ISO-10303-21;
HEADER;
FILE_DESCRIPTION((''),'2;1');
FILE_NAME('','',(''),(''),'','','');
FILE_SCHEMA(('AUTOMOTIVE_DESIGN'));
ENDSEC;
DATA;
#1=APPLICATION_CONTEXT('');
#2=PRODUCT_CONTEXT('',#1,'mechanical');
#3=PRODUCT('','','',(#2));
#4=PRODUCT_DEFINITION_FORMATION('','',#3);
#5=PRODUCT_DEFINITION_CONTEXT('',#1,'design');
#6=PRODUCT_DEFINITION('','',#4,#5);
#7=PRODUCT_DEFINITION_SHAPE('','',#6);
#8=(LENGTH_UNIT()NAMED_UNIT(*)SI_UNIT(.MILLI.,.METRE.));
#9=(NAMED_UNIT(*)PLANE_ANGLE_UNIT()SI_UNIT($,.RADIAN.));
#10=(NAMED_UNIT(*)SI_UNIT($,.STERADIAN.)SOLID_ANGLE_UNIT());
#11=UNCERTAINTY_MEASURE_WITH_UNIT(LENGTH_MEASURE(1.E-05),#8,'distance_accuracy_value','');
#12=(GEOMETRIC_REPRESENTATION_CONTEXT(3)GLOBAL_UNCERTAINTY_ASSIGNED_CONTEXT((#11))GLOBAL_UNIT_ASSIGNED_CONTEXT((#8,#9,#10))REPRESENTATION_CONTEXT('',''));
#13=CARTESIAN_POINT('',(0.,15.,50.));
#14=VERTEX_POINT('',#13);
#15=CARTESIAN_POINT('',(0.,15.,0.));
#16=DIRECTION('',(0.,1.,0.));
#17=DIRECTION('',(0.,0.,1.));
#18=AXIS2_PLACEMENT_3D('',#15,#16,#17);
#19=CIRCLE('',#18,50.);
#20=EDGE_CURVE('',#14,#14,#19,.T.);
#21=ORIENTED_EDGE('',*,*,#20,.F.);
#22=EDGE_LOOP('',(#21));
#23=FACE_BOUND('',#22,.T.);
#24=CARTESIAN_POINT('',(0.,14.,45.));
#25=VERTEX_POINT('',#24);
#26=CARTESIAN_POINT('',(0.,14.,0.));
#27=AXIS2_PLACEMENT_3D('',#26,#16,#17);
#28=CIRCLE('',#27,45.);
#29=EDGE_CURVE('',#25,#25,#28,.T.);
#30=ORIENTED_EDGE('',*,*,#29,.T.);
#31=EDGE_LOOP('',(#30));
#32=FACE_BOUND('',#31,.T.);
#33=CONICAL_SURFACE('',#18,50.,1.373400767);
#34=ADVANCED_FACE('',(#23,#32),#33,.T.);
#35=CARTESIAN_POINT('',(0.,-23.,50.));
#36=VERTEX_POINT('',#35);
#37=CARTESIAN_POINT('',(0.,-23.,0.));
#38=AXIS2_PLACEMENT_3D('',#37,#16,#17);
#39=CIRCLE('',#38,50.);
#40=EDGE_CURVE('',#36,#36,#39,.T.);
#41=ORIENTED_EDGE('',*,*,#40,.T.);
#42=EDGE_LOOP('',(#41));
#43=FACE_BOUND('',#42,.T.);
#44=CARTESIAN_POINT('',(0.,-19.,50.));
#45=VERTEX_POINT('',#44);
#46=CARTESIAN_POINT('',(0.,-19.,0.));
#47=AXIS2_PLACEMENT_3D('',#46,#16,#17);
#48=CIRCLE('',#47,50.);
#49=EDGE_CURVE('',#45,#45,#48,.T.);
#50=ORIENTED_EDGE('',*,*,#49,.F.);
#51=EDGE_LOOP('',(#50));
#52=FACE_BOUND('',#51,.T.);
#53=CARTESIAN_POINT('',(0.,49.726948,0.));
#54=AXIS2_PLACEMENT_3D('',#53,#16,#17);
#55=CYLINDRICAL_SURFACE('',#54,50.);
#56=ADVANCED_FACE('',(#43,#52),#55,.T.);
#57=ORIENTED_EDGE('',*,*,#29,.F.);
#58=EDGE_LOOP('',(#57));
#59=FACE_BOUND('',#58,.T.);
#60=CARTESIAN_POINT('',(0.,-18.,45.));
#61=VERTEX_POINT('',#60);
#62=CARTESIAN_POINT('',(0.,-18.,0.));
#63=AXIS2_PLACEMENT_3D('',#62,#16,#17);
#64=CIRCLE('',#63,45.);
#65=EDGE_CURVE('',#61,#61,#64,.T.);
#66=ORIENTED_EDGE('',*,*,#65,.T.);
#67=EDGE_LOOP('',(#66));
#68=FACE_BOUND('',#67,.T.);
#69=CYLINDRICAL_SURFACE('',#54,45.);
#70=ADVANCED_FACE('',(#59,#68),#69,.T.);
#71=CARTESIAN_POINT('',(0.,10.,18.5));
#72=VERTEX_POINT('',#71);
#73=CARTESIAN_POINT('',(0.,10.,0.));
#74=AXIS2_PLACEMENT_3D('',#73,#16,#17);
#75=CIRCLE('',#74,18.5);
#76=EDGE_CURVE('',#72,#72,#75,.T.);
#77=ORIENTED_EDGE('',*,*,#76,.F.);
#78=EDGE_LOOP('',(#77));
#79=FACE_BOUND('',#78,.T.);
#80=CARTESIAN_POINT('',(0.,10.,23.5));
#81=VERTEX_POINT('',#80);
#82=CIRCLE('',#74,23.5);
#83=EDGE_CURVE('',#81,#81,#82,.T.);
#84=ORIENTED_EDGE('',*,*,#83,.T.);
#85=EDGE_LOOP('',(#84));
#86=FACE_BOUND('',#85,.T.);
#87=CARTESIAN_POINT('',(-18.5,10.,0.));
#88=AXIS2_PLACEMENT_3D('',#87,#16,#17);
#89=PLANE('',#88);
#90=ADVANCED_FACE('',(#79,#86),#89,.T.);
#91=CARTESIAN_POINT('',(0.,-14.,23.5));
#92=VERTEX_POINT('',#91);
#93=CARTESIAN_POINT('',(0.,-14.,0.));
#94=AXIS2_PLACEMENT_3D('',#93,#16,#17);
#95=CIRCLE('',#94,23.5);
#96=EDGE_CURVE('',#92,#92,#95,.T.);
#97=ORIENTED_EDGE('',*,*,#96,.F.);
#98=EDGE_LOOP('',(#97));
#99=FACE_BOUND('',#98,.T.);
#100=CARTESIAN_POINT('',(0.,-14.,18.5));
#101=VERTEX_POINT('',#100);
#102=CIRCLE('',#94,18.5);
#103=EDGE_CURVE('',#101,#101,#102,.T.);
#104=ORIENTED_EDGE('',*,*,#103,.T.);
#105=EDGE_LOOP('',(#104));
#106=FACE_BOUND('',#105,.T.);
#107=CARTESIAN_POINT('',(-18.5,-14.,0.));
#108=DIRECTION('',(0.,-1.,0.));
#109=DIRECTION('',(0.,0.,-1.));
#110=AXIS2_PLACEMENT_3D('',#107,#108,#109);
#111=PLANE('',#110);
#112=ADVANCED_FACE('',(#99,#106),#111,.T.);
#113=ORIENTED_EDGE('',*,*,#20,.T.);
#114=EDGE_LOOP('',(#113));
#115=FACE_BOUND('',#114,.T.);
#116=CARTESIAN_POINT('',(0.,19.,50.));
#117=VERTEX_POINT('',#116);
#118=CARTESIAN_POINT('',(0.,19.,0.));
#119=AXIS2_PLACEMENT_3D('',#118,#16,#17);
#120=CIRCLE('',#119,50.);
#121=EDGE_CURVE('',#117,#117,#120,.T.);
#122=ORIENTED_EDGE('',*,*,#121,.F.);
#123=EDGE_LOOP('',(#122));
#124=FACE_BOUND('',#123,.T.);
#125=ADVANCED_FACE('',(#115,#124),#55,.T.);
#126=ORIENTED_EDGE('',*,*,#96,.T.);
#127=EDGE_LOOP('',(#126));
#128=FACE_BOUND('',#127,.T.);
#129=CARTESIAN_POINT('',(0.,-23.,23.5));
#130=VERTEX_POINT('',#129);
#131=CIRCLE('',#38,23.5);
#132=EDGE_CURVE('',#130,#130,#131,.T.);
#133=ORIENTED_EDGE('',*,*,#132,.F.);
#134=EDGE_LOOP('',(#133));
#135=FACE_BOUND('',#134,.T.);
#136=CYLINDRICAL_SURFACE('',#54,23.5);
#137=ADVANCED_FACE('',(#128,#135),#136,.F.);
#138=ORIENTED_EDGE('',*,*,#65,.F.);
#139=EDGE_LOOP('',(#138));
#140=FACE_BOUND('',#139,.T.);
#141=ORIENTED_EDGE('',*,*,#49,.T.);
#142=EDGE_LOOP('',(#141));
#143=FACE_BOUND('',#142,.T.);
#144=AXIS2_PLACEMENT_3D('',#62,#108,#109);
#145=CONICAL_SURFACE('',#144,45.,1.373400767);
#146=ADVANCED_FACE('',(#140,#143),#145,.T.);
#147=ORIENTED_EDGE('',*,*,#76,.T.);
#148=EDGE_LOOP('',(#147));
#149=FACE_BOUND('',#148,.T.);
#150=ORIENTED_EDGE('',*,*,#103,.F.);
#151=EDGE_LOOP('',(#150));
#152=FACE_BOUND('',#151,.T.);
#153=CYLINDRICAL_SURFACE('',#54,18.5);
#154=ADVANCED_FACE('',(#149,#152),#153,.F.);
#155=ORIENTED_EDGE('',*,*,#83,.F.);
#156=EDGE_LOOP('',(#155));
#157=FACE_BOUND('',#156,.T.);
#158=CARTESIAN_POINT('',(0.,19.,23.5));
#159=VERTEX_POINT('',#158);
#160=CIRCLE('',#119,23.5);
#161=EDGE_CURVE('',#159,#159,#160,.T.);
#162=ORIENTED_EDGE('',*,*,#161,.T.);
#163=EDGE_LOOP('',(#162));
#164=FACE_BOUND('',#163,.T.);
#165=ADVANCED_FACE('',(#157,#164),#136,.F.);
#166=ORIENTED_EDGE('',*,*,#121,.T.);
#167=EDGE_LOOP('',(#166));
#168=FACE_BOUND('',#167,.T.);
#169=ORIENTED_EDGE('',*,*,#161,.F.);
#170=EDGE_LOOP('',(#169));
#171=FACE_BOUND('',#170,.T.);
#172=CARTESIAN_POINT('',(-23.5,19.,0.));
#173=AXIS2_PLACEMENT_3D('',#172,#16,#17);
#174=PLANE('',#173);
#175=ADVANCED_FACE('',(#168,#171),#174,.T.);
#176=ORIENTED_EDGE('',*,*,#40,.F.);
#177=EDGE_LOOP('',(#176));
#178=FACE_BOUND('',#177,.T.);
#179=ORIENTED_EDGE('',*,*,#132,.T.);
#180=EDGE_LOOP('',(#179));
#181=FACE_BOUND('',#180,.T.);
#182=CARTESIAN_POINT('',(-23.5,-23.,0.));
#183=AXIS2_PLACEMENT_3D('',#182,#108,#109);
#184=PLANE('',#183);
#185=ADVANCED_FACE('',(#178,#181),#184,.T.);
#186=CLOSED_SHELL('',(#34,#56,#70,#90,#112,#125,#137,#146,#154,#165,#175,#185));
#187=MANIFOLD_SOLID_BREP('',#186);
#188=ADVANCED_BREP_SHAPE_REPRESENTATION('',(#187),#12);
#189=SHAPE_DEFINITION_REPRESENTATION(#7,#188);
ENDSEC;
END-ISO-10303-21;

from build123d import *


with BuildPart() as part:
    # 草图1 → 旋转1 (revolve)
    with BuildSketch(Plane.XY):
        Polygon((-23.5, -14), (-23.5, -23), (-50, -23), (-50, -19), (-45, -18), (-45, 14), (-50, 15), (-50, 19), (-23.5, 19), (-23.5, 10), (-18.5, 10), (-18.5, -14), align=None)
    revolve(axis=Axis((0, 49.726947906, 0), (0, -1, 0)))


solid = part.part
